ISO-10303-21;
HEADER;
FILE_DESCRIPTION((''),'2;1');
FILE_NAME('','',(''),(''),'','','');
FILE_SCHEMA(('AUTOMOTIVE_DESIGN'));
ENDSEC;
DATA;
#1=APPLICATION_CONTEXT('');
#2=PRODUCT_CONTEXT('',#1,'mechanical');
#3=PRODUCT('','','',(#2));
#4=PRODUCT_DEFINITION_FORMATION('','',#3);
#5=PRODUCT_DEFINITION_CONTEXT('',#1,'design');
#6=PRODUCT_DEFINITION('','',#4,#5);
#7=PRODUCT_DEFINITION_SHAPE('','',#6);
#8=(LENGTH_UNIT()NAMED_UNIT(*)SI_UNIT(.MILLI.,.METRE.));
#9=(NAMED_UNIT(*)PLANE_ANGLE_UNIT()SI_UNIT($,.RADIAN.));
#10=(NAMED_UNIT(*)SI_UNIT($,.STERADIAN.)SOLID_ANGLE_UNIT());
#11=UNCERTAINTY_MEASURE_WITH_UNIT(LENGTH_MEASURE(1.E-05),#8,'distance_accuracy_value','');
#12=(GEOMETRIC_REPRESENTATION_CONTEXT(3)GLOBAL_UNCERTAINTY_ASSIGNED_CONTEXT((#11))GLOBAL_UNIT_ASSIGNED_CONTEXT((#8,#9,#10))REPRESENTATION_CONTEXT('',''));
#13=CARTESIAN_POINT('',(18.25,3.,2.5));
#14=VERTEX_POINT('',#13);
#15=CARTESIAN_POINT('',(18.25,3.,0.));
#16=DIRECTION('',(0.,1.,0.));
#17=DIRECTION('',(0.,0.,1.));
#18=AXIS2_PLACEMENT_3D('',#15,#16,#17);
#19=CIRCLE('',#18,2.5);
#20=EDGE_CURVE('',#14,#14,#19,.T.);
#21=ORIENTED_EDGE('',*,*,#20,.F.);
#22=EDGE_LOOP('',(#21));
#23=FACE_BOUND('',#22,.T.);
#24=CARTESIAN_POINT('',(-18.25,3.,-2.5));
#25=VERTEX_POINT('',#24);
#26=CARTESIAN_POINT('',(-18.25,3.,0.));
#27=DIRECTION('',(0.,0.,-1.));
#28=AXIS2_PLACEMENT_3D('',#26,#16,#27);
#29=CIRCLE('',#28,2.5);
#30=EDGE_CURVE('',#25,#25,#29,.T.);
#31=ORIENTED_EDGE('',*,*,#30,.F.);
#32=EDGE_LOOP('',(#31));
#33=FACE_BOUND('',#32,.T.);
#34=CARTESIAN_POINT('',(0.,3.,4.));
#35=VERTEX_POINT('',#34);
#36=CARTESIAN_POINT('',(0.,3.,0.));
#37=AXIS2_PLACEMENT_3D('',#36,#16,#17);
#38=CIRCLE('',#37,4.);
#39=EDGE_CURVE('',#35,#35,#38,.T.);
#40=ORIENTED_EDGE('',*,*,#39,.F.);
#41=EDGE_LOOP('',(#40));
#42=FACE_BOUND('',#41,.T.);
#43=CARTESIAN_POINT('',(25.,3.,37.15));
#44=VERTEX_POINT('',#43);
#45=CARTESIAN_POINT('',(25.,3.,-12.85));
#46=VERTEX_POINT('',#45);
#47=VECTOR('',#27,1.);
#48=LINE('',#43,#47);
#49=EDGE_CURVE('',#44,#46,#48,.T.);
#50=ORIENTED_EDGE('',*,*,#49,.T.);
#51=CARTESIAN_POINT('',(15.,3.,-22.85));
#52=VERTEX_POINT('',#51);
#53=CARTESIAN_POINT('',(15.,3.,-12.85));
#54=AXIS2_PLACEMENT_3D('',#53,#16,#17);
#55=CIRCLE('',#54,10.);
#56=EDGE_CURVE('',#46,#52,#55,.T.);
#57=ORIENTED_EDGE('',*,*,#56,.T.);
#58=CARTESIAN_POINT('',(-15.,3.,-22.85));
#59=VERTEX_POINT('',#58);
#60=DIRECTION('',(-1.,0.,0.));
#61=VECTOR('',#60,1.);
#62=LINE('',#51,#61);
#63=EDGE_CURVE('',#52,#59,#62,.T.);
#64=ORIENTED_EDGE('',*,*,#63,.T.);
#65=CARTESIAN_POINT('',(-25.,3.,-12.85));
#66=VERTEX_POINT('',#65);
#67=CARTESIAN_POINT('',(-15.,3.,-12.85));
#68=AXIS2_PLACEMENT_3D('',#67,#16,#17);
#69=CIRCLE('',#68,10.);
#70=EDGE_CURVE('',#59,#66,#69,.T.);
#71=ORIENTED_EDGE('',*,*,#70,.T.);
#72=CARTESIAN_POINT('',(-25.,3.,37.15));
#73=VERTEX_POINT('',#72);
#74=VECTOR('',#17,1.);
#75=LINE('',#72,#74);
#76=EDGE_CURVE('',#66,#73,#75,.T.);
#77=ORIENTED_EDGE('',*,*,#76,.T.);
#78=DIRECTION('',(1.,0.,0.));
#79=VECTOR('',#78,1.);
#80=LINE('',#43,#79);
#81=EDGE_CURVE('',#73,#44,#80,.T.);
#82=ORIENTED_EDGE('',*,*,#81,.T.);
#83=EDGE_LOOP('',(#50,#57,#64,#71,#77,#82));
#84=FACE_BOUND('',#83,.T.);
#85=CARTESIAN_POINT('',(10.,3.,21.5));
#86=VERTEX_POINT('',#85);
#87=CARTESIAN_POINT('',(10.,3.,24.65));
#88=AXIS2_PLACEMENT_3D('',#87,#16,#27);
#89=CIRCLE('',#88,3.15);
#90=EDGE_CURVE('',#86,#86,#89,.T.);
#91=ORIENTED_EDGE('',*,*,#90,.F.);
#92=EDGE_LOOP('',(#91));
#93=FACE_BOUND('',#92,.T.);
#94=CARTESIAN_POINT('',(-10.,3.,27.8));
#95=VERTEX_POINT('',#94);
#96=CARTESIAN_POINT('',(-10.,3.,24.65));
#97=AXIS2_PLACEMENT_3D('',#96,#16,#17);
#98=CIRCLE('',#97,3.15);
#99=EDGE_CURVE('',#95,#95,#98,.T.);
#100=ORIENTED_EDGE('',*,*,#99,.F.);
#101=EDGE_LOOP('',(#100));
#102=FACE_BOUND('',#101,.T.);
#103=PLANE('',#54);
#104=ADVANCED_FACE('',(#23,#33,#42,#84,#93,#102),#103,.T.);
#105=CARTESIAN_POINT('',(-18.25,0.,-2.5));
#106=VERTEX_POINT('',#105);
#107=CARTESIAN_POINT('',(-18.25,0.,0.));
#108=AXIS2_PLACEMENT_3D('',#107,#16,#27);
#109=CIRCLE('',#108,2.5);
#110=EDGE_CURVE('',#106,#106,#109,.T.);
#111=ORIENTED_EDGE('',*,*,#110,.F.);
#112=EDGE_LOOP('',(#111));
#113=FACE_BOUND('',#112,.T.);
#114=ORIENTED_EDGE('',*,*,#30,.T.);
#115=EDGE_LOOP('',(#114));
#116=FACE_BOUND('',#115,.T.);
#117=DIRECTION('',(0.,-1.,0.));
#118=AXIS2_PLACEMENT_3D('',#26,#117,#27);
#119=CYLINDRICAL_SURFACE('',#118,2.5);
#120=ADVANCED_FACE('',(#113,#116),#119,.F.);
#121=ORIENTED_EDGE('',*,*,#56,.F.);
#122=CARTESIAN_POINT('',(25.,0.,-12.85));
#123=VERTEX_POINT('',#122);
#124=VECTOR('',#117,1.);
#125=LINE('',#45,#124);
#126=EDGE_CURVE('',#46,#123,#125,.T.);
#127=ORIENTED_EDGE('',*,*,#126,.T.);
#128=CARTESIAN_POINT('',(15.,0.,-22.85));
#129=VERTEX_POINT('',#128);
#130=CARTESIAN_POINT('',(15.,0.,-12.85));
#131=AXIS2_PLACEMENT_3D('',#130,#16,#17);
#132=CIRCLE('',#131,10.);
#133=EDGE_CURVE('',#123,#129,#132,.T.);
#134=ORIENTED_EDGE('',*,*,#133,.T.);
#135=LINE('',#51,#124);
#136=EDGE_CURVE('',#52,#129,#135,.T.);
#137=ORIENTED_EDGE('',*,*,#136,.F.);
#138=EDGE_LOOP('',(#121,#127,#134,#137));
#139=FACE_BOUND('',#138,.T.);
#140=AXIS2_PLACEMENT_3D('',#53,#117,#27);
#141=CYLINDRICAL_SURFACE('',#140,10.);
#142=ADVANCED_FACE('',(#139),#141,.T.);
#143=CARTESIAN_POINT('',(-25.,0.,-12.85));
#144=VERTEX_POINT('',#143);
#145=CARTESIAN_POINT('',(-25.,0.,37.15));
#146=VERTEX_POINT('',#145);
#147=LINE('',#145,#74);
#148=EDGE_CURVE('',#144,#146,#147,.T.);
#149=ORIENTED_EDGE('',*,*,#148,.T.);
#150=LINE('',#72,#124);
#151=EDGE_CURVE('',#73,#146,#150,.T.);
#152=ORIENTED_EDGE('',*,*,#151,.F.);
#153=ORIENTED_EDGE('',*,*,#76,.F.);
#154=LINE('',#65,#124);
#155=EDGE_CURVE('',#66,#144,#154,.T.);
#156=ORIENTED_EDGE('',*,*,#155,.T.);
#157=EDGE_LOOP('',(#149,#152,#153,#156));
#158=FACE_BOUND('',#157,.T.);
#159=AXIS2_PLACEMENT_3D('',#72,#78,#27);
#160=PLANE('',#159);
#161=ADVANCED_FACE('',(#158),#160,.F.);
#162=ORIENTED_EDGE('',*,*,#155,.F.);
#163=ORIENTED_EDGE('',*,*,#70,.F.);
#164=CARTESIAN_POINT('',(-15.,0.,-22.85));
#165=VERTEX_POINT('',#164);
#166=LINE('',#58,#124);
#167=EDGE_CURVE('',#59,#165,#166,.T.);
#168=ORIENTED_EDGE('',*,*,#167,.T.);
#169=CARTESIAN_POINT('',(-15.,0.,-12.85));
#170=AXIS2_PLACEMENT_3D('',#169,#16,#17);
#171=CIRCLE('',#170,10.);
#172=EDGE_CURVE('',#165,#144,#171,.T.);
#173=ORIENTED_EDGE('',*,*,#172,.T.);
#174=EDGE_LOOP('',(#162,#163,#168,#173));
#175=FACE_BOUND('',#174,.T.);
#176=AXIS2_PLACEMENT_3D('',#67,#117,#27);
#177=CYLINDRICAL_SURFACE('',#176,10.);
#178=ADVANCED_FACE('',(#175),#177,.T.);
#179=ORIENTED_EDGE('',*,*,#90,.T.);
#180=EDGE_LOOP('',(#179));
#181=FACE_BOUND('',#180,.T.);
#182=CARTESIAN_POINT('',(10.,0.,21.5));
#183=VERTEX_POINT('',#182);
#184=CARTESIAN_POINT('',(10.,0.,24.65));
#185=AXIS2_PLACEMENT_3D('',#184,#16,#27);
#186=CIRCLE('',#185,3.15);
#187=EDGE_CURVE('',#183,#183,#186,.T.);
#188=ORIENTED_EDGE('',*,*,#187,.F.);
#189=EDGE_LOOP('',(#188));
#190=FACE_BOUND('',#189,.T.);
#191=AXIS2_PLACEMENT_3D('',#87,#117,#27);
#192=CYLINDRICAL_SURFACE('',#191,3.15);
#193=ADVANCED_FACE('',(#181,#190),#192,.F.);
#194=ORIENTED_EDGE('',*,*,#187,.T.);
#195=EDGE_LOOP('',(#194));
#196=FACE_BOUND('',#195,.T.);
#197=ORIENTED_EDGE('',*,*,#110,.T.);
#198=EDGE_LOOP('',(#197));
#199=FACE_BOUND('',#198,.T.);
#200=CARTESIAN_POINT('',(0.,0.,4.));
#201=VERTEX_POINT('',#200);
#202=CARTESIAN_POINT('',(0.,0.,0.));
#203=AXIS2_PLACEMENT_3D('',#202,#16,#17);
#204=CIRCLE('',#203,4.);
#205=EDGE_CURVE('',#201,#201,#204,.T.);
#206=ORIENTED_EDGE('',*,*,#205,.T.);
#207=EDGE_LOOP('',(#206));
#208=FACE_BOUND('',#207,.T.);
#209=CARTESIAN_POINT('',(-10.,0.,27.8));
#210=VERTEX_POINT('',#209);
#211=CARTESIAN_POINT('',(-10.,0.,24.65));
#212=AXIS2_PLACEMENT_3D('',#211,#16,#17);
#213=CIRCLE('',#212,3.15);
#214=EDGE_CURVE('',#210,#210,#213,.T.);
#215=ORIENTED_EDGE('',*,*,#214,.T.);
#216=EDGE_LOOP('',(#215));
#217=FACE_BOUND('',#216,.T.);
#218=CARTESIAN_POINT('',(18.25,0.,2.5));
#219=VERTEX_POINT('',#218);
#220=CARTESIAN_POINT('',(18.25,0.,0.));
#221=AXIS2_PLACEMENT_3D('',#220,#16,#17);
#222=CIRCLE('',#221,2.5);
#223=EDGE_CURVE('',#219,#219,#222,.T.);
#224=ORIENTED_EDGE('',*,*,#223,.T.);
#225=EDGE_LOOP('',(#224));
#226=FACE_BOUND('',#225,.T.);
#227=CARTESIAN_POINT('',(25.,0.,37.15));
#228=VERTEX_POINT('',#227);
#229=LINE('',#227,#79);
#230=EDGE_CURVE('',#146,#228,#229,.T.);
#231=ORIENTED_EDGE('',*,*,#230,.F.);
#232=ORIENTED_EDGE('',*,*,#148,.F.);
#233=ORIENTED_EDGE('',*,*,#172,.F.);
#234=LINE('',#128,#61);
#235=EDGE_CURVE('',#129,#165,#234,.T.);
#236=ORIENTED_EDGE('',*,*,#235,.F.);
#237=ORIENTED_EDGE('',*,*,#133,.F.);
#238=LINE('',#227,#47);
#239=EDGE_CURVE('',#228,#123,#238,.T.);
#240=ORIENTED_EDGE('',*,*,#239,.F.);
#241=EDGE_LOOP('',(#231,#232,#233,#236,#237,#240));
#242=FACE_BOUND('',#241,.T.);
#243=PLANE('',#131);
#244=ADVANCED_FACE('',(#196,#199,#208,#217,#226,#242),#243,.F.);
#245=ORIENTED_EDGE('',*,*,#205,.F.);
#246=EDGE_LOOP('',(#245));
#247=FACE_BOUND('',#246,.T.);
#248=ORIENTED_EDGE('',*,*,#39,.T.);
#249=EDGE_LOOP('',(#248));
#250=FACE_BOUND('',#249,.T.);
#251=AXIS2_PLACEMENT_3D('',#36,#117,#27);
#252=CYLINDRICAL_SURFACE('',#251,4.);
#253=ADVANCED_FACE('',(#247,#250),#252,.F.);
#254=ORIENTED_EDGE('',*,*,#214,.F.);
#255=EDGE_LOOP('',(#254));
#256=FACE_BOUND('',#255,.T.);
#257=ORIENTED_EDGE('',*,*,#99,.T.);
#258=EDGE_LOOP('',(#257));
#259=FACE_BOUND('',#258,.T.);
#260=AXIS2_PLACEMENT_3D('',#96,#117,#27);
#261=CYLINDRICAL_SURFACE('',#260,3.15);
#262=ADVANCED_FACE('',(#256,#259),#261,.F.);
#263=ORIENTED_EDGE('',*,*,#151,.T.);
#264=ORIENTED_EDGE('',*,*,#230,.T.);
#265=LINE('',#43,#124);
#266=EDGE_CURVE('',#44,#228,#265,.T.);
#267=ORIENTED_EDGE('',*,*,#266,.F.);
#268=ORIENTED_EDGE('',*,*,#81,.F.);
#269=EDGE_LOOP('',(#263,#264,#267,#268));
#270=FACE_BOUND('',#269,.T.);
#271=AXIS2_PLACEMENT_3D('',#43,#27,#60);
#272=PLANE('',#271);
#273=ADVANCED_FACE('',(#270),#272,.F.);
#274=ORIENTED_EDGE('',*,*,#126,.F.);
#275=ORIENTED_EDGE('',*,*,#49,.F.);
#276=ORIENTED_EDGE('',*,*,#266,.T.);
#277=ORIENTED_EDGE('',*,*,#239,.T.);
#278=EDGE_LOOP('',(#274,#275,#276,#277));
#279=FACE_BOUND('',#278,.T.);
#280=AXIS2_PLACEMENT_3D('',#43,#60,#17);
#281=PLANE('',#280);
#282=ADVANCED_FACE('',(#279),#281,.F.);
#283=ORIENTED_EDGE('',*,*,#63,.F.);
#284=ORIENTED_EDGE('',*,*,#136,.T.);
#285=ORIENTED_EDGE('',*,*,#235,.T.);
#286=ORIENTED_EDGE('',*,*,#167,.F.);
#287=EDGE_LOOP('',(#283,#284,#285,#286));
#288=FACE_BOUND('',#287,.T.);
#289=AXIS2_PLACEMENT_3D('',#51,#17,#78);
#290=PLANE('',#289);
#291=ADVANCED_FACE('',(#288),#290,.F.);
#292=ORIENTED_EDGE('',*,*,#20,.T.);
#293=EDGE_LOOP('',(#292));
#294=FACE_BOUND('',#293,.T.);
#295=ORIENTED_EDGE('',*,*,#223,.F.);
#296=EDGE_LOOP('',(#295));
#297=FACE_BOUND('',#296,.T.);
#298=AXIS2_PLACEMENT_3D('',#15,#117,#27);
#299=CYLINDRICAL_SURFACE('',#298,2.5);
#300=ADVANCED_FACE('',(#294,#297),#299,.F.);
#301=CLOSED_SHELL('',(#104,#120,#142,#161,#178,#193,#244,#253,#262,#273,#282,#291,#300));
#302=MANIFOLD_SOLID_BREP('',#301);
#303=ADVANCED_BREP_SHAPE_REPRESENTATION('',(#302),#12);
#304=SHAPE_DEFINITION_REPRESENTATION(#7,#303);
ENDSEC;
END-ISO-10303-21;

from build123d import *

# Parameters (mm, degrees)
CROQUIS1_R              = 4
CROQUIS1_R_2            = 2.5
CROQUIS1_R_3            = 3.15
SALIENTE_EXTRUIR1_DEPTH = 3


with BuildPart() as part:
    # Croquis1 → Saliente-Extruir1 (new body)
    with BuildSketch(Plane(origin=(0, 0, 0), x_dir=(1, 0, 0), z_dir=(0, 1, 0))):
        with BuildLine():
            Line((25, -37.15), (-25, -37.15))
            Line((-25, -37.15), (-25, 12.85))
            ThreePointArc((-25, 12.85), (-22.071067812, 19.921067812), (-15, 22.85))
            Line((-15, 22.85), (15, 22.85))
            ThreePointArc((15, 22.85), (22.071067812, 19.921067812), (25, 12.85))
            Line((25, 12.85), (25, -37.15))
        make_face()
        with Locations(Location((0, 0, 0), (0, 0, 270))):
            Circle(CROQUIS1_R, mode=Mode.SUBTRACT)
        with Locations(Location((18.25, 0, 0), (0, 0, 270))):
            Circle(CROQUIS1_R_2, mode=Mode.SUBTRACT)
        with Locations(Location((-18.25, 0, 0), (0, 0, 90))):
            Circle(CROQUIS1_R_2, mode=Mode.SUBTRACT)
        with Locations(Location((-10, -24.65, 0), (0, 0, 270))):
            Circle(CROQUIS1_R_3, mode=Mode.SUBTRACT)
        with Locations(Location((10, -24.65, 0), (0, 0, 90))):
            Circle(CROQUIS1_R_3, mode=Mode.SUBTRACT)
    extrude(amount=SALIENTE_EXTRUIR1_DEPTH)


solid = part.part
